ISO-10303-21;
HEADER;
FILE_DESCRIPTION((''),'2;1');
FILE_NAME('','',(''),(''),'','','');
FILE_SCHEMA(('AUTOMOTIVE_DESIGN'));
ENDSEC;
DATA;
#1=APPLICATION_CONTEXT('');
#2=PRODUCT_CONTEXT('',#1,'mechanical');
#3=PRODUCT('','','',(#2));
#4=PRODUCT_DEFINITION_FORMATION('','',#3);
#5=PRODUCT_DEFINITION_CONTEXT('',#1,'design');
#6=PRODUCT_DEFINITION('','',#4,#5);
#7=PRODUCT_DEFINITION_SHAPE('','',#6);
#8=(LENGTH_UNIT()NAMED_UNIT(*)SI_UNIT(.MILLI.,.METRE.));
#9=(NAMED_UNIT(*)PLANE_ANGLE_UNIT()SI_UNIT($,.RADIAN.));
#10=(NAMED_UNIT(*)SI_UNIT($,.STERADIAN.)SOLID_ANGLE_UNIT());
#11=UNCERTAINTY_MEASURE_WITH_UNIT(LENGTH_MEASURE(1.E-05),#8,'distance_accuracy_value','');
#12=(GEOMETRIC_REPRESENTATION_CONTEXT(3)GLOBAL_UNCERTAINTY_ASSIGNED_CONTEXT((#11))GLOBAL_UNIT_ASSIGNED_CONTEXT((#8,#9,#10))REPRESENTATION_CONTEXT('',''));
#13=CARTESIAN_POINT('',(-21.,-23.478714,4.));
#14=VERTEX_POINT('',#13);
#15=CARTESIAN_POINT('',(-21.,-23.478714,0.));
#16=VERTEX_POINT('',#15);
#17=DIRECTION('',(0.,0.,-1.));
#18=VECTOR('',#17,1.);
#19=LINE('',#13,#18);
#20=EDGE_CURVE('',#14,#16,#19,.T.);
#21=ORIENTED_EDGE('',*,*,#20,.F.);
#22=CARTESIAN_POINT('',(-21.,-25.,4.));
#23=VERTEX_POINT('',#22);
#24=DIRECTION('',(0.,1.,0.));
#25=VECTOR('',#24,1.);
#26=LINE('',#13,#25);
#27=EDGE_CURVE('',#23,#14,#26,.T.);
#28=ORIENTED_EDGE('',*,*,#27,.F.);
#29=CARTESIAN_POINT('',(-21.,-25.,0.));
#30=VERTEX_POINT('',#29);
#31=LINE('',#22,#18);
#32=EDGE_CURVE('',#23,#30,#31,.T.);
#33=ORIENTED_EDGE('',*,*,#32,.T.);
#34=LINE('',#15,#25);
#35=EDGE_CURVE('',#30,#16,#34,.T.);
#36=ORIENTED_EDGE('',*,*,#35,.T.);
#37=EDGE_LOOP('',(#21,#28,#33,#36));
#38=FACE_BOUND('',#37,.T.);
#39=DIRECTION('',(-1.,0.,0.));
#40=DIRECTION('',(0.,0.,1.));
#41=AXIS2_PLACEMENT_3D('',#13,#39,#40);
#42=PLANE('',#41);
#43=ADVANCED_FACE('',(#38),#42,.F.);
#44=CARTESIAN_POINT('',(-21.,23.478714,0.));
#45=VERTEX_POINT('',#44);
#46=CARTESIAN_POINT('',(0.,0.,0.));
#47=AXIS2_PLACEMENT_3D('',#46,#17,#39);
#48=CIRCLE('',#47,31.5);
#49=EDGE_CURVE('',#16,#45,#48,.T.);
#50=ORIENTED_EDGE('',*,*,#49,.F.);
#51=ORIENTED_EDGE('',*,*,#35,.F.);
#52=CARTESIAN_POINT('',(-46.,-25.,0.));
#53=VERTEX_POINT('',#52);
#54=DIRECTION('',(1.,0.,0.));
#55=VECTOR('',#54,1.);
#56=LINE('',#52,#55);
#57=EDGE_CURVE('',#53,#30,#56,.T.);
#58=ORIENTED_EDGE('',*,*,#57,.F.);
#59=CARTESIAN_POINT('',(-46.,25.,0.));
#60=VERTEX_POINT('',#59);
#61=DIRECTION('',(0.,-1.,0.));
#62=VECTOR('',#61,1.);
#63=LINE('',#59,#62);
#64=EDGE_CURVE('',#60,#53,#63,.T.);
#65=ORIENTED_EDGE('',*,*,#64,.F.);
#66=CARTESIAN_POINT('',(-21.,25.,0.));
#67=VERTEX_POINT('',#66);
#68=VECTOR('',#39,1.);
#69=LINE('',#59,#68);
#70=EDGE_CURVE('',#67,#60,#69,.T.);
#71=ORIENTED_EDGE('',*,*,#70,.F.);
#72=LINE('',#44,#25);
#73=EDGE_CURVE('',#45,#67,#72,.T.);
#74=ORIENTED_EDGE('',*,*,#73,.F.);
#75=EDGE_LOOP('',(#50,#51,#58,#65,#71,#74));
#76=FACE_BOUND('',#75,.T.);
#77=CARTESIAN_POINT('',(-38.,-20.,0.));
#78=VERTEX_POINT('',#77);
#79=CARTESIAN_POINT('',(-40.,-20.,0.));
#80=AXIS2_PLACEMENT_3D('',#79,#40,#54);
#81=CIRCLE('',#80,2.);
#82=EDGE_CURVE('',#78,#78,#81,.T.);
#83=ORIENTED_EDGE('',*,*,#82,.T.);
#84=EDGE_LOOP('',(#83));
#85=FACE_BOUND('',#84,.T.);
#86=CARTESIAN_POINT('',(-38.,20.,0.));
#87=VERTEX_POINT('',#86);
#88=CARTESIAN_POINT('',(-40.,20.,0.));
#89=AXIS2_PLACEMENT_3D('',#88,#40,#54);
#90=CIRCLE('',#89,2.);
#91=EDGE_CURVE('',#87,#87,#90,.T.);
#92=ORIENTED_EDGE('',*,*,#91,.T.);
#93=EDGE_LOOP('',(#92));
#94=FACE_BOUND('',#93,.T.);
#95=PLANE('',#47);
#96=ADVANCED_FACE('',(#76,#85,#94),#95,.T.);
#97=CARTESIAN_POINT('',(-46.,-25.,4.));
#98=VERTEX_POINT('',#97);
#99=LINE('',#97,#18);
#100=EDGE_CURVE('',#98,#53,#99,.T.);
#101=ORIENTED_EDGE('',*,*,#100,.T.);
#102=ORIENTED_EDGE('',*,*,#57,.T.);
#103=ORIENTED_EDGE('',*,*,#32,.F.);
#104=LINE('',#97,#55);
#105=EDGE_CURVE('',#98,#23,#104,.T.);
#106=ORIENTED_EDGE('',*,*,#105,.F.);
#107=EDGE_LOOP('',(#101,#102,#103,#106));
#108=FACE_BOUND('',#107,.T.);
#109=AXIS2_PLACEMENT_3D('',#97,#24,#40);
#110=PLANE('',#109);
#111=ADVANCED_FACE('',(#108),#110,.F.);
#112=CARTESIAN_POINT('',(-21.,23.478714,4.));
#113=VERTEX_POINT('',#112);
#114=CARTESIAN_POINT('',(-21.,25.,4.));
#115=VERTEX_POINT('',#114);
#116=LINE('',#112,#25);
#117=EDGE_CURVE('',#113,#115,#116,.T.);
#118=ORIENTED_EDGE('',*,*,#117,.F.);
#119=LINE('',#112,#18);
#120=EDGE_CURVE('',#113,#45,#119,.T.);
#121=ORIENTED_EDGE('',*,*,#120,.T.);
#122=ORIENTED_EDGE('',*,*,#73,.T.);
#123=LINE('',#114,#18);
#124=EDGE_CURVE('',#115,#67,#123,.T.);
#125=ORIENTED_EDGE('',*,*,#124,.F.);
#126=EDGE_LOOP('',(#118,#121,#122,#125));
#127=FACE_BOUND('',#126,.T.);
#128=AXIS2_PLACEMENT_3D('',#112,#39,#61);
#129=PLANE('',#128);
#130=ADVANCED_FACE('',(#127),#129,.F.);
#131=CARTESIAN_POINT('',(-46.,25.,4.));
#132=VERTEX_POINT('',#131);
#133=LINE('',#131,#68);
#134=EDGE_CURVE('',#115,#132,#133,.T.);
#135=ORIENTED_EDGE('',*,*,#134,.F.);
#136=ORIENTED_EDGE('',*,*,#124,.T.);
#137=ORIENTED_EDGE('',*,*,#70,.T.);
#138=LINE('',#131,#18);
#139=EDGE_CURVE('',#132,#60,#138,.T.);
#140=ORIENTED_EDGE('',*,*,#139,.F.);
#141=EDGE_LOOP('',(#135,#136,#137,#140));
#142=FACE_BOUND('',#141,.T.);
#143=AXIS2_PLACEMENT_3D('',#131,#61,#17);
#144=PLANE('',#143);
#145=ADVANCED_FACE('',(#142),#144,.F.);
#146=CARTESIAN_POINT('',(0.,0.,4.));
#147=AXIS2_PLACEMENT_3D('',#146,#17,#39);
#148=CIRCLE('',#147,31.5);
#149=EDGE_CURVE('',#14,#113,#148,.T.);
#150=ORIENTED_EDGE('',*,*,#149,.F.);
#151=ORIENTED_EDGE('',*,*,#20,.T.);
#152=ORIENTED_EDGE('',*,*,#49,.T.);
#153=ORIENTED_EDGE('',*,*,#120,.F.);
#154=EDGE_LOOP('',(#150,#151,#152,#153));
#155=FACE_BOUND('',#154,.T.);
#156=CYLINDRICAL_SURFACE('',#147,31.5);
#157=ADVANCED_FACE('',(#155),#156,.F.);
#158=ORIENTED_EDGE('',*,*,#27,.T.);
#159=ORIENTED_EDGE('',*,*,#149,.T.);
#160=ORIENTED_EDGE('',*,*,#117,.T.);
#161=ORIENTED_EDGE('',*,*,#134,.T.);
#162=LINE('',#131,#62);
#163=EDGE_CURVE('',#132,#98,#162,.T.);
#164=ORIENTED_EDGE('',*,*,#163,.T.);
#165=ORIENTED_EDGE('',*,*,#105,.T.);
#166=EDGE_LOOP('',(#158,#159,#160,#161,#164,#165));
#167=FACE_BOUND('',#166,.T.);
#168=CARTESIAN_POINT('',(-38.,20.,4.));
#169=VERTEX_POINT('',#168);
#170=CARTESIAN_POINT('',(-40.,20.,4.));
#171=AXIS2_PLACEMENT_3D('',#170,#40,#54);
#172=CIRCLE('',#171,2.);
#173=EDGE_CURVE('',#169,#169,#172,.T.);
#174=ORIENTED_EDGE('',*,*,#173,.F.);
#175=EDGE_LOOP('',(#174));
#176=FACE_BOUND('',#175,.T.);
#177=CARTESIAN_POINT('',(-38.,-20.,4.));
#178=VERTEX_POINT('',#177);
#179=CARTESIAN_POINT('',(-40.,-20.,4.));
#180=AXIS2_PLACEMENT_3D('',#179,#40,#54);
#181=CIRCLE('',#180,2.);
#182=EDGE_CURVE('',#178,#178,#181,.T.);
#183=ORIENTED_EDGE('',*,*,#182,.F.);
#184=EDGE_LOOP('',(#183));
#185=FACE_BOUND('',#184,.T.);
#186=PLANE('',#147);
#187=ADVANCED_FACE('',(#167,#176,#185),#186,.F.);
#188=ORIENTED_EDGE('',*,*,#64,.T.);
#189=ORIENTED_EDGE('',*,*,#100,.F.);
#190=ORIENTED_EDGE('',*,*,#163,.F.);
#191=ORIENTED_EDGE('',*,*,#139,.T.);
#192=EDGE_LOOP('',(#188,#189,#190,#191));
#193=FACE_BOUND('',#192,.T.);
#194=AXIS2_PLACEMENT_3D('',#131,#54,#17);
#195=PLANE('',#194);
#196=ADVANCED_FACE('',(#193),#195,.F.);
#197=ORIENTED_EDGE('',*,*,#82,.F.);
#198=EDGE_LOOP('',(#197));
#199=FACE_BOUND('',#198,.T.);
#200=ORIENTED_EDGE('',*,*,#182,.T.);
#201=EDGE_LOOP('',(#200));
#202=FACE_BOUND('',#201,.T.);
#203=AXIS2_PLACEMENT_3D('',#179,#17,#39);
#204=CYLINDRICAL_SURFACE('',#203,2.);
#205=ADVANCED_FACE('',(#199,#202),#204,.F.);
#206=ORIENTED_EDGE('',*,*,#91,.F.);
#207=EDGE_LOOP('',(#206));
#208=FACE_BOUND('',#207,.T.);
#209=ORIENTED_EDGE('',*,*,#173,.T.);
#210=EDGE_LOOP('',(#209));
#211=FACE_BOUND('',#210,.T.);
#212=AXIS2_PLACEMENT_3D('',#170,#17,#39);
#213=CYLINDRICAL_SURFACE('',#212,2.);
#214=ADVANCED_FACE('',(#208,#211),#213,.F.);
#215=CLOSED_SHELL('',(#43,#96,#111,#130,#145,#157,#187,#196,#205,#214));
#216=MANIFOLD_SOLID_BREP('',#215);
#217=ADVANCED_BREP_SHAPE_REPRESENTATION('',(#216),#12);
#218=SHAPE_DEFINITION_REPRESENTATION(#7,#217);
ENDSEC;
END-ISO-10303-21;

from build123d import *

# Parameters (mm, degrees)
SKETCH_1_R      = 2
EXTRUDE_1_DEPTH = 4


with BuildPart() as part:
    # 草图1 → 凸台-拉伸1 (new body)
    with BuildSketch(Plane.XY):
        with BuildLine():
            Line((-21, 23.478713764), (-21, 25))
            Line((-21, 25), (-46, 25))
            Line((-46, 25), (-46, -25))
            Line((-46, -25), (-21, -25))
            Line((-21, -25), (-21, -23.478713764))
            ThreePointArc((-21, -23.478713764), (-31.5, 0), (-21, 23.478713764))
        make_face()
        with Locations((-40, 20)):
            Circle(SKETCH_1_R, mode=Mode.SUBTRACT)
        with Locations((-40, -20)):
            Circle(SKETCH_1_R, mode=Mode.SUBTRACT)
    extrude(amount=EXTRUDE_1_DEPTH)


solid = part.part
